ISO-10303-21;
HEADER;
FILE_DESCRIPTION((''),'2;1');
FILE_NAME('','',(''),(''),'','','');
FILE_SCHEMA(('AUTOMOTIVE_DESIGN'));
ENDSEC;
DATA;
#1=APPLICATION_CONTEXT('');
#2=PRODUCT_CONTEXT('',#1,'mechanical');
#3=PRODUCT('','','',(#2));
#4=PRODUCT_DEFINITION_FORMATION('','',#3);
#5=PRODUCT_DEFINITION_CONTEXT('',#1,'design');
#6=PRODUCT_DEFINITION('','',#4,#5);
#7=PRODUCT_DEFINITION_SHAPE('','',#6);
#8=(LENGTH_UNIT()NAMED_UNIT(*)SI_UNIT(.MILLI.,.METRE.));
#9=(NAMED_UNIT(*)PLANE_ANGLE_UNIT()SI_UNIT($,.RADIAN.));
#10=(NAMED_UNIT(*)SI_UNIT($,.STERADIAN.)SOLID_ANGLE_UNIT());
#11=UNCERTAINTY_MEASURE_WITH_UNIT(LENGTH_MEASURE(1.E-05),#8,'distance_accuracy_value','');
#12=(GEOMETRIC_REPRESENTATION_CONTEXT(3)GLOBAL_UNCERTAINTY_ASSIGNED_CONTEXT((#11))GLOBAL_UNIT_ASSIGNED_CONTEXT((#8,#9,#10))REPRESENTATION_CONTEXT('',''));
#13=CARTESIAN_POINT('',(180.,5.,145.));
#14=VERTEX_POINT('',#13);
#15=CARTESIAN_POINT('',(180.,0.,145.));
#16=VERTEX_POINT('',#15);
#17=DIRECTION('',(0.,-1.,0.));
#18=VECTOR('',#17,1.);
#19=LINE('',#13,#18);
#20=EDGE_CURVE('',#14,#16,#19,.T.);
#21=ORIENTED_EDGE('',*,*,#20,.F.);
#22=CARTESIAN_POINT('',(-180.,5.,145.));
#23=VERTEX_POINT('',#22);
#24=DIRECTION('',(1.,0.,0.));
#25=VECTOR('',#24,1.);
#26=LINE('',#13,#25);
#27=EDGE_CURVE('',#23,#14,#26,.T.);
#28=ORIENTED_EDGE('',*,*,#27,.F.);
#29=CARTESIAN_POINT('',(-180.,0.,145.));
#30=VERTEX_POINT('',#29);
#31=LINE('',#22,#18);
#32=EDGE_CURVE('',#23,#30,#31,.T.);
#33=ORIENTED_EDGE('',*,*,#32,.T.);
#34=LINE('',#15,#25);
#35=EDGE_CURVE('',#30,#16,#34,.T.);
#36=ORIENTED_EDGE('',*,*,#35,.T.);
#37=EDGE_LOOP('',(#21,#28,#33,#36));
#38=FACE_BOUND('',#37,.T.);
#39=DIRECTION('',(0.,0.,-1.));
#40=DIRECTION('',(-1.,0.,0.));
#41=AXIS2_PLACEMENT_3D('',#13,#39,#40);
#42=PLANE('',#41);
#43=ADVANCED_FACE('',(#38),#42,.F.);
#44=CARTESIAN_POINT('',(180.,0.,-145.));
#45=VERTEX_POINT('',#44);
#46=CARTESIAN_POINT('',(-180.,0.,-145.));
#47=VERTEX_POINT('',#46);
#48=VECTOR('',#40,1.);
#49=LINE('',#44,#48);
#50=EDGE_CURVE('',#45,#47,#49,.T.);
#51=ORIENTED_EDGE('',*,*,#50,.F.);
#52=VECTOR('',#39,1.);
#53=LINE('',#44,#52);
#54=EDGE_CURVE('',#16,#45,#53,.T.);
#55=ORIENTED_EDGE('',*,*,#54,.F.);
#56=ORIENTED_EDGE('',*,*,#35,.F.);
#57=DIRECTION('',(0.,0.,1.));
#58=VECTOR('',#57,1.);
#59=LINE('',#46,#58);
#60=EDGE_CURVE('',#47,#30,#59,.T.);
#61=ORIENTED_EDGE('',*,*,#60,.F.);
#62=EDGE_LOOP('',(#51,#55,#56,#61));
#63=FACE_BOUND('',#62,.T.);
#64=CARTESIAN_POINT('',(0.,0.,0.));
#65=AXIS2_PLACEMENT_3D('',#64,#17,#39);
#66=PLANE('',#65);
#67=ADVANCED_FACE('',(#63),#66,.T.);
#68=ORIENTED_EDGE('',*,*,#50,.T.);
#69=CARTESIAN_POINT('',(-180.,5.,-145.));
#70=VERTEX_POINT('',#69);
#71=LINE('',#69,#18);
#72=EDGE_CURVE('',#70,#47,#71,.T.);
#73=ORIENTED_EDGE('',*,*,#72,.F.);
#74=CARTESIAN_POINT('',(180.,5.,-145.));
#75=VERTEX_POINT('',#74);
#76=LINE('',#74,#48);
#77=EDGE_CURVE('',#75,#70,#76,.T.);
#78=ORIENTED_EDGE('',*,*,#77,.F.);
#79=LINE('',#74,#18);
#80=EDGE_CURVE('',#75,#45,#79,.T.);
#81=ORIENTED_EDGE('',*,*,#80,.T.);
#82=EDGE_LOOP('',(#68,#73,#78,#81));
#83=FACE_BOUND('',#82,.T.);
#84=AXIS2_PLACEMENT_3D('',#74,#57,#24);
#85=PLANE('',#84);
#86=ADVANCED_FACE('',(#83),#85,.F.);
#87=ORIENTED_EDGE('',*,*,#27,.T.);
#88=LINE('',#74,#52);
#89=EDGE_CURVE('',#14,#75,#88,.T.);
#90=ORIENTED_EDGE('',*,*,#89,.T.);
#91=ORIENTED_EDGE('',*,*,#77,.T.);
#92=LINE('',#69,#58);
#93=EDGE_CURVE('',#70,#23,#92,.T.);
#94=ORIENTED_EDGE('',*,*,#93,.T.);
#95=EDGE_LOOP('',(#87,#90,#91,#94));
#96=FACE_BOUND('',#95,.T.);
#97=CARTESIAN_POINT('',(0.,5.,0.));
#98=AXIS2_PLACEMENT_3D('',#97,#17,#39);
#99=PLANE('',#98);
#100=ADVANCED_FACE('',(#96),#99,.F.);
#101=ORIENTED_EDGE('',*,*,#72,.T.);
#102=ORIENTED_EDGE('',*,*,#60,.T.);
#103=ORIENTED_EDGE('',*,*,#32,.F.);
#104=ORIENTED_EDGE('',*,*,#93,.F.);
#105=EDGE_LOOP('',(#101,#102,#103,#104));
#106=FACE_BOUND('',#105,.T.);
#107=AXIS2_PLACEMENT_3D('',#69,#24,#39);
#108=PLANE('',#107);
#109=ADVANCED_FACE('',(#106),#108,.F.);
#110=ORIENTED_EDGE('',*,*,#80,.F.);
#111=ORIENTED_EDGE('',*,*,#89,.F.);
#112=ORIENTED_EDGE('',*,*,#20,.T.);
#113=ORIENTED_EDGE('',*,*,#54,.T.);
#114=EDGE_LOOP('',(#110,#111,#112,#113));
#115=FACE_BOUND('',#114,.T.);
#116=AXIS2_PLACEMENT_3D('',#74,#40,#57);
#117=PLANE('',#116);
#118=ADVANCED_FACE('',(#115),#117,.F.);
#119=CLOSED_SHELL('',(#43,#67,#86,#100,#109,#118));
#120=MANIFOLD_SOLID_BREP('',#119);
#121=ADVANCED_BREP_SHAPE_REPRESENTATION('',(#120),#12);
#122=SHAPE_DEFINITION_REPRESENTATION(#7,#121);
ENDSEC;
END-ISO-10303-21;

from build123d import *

# Parameters (mm, degrees)
ESBO_O2_W                = 360
ESBO_O2_H                = 290
RESSALTO_EXTRUS_O2_DEPTH = 5


with BuildPart() as part:
    # Esboço2 → Ressalto-extrusão2 (new body)
    with BuildSketch(Plane(origin=(0, 0, 0), x_dir=(1, 0, 0), z_dir=(0, 1, 0))):
        Rectangle(ESBO_O2_W, ESBO_O2_H)
    extrude(amount=RESSALTO_EXTRUS_O2_DEPTH)


solid = part.part
